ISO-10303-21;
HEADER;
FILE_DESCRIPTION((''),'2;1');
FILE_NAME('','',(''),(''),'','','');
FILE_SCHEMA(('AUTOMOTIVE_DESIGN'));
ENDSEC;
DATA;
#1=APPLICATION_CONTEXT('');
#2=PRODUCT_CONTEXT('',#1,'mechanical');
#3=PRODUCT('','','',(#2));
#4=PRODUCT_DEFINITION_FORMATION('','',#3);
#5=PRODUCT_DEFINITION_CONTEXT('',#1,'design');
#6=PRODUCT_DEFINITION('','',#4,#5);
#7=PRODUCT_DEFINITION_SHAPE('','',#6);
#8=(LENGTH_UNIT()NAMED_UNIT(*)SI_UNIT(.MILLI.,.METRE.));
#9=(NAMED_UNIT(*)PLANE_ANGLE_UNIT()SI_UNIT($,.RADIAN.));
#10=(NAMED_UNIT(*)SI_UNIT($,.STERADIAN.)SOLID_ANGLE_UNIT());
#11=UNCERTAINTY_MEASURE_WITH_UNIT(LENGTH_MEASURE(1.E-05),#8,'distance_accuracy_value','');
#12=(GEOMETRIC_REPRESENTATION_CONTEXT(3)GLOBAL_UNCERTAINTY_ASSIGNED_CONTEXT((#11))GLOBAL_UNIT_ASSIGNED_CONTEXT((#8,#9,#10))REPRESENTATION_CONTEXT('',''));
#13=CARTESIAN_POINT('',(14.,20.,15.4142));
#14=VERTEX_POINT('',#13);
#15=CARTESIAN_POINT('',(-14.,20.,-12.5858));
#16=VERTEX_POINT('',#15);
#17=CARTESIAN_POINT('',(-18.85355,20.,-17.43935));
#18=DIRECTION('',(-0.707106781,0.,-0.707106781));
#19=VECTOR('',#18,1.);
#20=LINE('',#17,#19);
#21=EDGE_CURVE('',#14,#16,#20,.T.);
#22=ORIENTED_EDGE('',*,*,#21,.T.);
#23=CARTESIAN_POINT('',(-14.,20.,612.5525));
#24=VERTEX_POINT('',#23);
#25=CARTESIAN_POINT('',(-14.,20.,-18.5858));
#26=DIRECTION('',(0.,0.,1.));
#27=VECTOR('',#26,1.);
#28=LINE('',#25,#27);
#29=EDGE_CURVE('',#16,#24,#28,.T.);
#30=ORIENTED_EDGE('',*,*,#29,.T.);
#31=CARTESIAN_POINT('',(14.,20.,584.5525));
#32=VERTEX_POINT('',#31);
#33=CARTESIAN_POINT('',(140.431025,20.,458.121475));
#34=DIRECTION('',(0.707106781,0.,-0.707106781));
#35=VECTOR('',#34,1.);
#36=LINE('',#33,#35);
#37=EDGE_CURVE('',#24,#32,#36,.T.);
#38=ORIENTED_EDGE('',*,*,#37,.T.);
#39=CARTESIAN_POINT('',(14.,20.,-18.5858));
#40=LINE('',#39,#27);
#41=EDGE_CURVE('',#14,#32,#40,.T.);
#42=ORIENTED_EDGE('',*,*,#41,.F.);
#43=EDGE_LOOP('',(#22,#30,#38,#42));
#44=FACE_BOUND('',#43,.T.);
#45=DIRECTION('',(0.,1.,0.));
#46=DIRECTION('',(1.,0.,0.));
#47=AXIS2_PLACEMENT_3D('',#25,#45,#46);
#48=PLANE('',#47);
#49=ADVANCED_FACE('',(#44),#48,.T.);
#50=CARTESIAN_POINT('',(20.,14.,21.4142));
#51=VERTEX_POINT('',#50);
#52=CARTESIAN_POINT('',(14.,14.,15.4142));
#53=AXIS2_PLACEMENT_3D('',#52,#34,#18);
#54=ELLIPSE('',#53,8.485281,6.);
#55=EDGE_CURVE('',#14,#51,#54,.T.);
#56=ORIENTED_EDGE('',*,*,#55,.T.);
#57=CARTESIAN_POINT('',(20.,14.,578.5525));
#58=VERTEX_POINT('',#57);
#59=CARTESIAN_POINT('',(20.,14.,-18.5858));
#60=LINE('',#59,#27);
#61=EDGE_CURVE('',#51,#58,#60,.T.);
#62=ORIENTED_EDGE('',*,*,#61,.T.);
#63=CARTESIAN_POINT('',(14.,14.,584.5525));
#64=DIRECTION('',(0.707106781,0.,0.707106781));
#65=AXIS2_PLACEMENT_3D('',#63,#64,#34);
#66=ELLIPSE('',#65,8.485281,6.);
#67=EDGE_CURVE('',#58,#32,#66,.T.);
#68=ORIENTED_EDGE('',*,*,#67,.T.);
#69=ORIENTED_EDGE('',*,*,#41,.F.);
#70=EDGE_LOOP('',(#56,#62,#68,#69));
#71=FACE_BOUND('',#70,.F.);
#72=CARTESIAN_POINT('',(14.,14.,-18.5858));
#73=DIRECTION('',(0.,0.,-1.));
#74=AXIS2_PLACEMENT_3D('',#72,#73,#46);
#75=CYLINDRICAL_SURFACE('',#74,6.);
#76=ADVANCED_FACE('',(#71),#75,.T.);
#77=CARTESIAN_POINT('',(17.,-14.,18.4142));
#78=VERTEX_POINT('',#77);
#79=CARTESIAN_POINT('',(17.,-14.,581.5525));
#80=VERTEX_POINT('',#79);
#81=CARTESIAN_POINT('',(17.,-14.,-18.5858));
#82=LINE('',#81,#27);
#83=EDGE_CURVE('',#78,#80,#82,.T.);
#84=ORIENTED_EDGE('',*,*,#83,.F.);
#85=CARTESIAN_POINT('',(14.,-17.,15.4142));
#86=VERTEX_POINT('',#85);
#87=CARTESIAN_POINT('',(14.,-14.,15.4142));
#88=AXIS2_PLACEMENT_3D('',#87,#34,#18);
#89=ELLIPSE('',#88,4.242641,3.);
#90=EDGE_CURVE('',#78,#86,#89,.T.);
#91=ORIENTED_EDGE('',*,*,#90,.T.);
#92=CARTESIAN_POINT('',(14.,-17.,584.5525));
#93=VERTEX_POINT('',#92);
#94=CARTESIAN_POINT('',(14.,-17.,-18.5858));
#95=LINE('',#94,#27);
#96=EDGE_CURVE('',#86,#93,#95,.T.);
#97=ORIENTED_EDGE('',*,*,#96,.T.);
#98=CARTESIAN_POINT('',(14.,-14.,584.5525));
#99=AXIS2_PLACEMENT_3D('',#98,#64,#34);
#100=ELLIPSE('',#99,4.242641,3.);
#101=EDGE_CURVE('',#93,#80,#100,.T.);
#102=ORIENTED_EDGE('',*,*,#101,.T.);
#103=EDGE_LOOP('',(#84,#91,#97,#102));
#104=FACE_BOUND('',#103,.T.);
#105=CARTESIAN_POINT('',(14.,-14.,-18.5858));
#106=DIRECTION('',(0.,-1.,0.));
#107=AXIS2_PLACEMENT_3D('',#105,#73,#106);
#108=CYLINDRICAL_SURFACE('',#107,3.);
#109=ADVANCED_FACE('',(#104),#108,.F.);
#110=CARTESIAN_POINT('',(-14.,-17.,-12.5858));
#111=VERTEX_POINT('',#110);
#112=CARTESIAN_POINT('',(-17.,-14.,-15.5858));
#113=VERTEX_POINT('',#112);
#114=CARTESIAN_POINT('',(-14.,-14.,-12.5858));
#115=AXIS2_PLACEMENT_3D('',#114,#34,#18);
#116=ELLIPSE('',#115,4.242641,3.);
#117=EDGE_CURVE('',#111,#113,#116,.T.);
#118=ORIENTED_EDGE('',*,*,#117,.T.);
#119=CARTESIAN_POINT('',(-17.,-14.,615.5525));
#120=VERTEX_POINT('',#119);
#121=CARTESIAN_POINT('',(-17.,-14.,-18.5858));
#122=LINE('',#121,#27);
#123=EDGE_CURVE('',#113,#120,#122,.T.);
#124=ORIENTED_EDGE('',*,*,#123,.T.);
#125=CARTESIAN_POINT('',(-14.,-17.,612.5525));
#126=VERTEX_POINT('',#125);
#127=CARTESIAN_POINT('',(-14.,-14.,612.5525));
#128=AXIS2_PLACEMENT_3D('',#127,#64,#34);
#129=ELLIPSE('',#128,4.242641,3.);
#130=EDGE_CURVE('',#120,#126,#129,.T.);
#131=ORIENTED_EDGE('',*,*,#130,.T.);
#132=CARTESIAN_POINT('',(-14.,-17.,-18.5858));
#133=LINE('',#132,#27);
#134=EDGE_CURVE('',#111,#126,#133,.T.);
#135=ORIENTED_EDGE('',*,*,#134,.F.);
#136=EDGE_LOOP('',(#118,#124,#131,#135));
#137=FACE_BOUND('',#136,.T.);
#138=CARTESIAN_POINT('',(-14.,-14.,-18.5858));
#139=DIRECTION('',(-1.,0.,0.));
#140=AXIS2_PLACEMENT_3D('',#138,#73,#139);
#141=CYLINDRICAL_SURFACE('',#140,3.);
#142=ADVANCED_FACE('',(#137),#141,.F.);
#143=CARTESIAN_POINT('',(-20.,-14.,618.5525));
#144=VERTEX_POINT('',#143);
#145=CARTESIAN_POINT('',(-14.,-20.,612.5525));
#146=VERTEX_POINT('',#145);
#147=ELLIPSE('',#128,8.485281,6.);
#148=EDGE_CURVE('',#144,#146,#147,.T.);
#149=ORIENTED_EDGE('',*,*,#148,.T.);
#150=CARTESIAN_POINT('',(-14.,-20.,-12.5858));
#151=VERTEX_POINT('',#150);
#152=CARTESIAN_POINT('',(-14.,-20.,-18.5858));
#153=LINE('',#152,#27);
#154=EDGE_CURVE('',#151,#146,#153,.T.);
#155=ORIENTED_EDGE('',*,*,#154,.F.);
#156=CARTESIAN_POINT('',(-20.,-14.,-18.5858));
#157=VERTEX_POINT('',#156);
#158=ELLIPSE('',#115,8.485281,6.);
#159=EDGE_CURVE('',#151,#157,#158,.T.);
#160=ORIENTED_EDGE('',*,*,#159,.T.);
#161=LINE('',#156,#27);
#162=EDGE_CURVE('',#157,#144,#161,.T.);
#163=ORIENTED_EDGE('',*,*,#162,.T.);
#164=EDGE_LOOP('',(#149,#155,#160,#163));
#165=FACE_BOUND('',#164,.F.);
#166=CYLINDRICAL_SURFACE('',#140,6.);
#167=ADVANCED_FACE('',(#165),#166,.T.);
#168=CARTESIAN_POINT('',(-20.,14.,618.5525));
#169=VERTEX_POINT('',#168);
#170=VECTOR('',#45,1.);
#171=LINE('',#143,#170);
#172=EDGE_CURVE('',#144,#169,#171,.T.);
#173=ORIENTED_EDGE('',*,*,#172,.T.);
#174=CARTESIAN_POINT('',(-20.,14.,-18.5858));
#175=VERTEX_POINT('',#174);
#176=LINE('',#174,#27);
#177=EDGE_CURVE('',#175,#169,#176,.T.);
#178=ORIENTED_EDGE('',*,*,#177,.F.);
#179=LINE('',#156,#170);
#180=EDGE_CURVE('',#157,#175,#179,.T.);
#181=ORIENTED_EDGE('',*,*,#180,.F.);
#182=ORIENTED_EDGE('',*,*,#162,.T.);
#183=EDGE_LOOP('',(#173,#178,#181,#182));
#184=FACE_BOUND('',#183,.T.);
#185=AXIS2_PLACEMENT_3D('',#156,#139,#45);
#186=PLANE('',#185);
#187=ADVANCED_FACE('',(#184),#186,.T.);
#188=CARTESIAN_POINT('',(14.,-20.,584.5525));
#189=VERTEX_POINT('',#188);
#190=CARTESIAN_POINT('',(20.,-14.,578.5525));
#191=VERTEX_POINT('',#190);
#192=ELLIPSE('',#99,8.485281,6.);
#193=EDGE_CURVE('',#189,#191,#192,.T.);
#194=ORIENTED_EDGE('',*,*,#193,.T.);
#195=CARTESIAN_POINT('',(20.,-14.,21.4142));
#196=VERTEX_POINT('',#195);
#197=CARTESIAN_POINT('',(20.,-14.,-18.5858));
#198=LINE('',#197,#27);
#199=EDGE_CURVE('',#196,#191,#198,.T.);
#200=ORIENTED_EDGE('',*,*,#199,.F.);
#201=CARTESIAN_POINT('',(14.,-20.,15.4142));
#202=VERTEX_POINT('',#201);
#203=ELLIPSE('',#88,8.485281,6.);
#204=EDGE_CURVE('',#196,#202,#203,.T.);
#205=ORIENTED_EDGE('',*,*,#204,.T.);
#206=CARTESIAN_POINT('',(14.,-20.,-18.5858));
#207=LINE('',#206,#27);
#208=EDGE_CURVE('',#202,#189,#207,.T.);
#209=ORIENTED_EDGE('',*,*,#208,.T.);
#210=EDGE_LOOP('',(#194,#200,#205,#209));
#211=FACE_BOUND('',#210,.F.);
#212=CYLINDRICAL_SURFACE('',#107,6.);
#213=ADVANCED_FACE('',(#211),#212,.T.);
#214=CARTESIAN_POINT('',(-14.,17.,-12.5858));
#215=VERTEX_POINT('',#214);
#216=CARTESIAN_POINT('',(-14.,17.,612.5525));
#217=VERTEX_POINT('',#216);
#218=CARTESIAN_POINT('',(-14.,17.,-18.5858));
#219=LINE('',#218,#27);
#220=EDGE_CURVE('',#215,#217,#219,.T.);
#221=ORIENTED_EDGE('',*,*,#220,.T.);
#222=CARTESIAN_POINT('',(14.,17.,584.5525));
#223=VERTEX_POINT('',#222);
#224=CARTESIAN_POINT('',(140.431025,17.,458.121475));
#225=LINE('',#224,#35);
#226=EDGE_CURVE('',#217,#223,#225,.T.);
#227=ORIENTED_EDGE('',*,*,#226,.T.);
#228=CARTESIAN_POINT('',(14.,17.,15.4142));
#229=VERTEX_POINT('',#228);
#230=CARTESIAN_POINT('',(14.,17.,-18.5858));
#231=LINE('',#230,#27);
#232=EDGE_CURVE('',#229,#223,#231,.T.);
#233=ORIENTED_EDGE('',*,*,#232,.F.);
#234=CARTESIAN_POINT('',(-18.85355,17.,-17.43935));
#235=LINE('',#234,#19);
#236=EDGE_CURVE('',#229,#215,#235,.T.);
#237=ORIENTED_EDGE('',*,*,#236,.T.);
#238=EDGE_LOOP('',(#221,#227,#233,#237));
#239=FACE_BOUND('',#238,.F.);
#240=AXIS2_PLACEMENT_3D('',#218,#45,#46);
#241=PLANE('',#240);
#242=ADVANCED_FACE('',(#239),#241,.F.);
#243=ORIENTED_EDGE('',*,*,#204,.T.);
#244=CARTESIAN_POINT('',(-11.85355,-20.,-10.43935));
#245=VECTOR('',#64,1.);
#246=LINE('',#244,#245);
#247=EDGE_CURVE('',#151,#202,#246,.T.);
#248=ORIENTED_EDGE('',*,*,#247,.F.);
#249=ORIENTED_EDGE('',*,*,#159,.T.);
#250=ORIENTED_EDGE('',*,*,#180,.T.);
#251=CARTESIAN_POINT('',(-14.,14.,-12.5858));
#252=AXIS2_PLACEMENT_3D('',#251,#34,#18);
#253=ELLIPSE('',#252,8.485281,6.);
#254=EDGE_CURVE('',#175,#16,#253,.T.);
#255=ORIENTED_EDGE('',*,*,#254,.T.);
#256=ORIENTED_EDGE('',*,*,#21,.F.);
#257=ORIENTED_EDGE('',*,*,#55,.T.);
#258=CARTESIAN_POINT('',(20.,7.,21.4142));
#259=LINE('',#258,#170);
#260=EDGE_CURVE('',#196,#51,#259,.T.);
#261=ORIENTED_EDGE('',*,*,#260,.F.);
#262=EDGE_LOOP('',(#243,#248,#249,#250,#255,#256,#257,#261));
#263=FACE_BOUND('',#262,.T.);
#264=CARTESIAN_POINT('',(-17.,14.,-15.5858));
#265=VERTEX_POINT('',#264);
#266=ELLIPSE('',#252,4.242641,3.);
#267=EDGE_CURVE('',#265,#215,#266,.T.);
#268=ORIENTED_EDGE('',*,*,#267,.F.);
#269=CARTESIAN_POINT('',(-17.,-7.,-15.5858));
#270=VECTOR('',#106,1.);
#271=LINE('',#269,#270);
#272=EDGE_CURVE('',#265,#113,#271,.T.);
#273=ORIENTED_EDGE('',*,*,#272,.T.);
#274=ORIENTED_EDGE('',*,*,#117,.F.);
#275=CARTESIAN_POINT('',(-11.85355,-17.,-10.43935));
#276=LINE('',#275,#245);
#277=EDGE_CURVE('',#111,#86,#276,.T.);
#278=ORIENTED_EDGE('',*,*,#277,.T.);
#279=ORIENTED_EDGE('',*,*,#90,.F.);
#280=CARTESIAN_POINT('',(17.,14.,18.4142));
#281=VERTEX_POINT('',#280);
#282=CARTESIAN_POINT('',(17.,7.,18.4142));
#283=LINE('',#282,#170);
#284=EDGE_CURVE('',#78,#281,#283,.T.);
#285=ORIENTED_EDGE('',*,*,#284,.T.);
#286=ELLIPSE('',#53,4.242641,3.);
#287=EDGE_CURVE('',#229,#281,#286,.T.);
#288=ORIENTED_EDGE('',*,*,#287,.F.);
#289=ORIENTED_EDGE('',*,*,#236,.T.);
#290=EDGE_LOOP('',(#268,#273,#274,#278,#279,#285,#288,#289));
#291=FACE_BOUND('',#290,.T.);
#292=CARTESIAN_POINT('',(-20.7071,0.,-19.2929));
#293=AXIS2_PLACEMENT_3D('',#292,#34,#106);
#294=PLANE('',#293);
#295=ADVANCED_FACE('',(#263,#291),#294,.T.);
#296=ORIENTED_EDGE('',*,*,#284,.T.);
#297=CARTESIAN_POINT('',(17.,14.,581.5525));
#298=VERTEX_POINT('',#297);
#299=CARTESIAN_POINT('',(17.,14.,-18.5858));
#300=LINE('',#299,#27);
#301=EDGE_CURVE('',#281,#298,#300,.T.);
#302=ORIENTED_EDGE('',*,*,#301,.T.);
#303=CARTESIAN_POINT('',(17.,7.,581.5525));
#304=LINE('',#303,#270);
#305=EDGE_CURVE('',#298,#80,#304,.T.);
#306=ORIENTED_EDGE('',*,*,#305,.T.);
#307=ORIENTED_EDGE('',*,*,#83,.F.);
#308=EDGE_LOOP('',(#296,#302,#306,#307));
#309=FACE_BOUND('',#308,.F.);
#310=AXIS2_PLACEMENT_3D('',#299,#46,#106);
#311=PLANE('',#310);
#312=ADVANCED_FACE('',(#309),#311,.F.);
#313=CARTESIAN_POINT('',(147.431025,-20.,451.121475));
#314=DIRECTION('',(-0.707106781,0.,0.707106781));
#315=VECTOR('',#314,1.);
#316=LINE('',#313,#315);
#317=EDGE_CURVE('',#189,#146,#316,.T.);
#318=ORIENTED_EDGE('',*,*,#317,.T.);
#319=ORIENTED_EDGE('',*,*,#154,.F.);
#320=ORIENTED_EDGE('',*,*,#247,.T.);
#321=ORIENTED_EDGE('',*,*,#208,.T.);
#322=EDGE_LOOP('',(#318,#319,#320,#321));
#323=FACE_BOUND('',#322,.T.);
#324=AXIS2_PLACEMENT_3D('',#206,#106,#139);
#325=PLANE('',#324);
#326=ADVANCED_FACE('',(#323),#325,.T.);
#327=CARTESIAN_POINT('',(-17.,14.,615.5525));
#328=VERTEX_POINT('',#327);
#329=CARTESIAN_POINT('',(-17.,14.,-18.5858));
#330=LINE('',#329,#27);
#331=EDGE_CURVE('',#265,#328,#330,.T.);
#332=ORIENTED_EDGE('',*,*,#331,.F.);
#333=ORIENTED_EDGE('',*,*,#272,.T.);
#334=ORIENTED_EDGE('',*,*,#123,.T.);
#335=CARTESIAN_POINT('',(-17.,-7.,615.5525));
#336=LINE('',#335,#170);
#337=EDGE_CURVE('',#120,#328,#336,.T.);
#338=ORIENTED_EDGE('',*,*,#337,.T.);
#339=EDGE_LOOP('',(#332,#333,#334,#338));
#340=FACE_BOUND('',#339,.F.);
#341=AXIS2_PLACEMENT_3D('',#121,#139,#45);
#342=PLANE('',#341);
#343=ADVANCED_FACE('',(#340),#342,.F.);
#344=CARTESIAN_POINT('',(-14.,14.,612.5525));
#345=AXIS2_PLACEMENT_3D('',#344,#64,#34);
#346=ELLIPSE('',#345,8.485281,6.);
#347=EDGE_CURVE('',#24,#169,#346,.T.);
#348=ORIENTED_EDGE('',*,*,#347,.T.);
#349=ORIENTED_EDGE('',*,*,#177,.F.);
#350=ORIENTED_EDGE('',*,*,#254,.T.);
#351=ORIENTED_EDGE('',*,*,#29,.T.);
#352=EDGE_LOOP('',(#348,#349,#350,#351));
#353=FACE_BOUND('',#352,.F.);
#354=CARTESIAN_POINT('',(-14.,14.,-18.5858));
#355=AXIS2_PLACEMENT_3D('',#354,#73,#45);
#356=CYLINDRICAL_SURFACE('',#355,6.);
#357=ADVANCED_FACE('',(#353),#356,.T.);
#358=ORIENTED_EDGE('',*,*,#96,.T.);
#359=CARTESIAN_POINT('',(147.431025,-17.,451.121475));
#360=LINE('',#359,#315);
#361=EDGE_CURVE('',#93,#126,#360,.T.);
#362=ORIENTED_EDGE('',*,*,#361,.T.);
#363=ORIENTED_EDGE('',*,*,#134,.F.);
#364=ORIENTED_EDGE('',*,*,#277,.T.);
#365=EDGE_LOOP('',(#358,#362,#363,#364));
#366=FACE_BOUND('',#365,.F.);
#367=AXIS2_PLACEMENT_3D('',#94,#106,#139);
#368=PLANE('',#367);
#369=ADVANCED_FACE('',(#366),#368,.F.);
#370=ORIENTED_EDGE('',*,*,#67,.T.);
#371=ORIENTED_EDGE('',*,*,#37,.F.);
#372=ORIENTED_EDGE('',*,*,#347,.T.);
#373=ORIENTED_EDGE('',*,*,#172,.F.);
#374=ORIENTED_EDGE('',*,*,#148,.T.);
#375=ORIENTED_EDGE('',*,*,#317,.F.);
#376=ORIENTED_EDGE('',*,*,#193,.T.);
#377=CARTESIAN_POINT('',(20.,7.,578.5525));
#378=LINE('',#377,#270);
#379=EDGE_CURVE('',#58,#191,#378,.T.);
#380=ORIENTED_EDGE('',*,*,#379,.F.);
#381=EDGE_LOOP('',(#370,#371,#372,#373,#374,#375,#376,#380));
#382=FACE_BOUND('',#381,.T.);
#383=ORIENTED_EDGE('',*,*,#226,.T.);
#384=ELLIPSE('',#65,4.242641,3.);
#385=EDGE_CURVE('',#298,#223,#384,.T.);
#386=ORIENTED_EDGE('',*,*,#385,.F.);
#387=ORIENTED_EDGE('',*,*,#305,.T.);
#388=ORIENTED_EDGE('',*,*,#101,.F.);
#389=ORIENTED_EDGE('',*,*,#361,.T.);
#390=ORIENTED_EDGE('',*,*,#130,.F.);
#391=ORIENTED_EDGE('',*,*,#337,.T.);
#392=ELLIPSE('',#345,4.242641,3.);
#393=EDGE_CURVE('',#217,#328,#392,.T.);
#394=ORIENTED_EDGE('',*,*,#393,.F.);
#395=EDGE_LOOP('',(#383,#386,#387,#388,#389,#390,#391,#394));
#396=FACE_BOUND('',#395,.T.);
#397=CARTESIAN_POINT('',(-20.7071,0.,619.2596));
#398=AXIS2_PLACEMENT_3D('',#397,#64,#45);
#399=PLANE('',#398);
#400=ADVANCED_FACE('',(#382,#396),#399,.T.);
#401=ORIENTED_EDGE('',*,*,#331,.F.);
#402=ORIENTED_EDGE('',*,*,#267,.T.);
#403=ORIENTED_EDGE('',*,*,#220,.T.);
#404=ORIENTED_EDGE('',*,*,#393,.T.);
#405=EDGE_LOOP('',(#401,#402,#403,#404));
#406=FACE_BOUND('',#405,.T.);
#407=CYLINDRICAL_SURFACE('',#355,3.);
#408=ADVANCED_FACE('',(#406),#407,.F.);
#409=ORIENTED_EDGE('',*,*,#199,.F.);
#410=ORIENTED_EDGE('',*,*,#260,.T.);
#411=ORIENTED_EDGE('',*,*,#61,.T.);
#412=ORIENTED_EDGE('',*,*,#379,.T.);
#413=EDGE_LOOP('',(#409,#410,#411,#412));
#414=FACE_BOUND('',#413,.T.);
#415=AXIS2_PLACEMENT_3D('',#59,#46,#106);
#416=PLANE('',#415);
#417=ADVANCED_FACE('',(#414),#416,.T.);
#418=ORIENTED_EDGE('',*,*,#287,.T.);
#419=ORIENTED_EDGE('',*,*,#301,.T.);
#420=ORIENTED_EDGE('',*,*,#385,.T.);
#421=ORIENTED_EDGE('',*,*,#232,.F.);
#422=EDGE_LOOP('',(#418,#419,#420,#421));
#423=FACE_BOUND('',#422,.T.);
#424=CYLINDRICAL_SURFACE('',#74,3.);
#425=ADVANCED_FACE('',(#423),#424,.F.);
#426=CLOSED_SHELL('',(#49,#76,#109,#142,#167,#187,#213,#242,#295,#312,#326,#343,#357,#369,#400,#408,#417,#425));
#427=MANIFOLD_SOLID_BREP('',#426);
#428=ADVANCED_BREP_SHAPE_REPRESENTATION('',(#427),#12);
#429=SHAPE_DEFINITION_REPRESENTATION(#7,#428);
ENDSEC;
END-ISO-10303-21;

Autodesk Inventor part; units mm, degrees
ref_plane "Start Plane" through (0, 0, -18.5858) normal (0, 0, 1) x (1, 0, 0)
ref_plane "End Plane" through (0, 0, 618.5525) normal (0, 0, 1) x (1, 0, 0)
sketch "Sketch" plane through (0, 0, 0) normal (0, 0, 1) x (1, 0, 0)
  line L0 (-20, -14) -> (-20, 14)
  line L1 (-14, 20) -> (14, 20)
  line L2 (20, 14) -> (20, -14)
  line L3 (14, -20) -> (-14, -20)
  arc A0 (-20, -14) -> (-14, -20) centre (-14, -14) ccw
  arc A1 (20, 14) -> (14, 20) centre (14, 14) ccw
  arc A2 (-14, 20) -> (-20, 14) centre (-14, 14) ccw
  arc A3 (14, -20) -> (20, -14) centre (14, -14) ccw
  arc A4 (-14, 17) -> (-17, 14) centre (-14, 14) ccw
  line L4 (-14, 17) -> (14, 17)
  arc A5 (17, 14) -> (14, 17) centre (14, 14) ccw
  line L5 (17, 14) -> (17, -14)
  arc A6 (14, -17) -> (17, -14) centre (14, -14) ccw
  line L6 (14, -17) -> (-14, -17)
  arc A7 (-17, -14) -> (-14, -17) centre (-14, -14) ccw
  line L7 (-17, -14) -> (-17, 14)
  line L8 (0, 29.7397) -> (0, -29.7397) construction
  line L9 (-29.7397, 0) -> (29.7397, 0) construction
  dimension "d7" = 6
  dimension "d9" = 40
  dimension "d11" = 40
  dimension "d12" = 3
  dimension "d15" = 20
  dimension "d16" = 20
extrude "Body" add sketch "Sketch" along normal up to surface (637.1383 mm away) from surface at -18.5858
sketch "Sketch3" plane through (0, 0, 0) normal (0, 0, 1) x (1, 0, 0)
  line L0 (0, 0) -> (10, 0)
ref_plane "Work Plane3" through (0, 0, 0) normal (0, -1, 0) x (1, 0, 0)
ref_plane "Work Plane4" through (-20.7071, 0, 619.2596) normal (0.7071, 0, 0.7071) x (0.7071, 0, -0.7071)
split "Split1" plane through (-20.7071, 0, 619.2596) removes the side toward (0.7071, 0, 0.7071)
ref_plane "Work Plane5" through (-20.7071, 0, -19.2929) normal (0.7071, 0, -0.7071) x (-0.7071, 0, -0.7071)
split "Split2" plane through (-20.7071, 0, -19.2929) removes the side toward (0.7071, 0, -0.7071)
sketch "Sketch4" plane through (0, 0, 0) normal (0, -1, 0) x (1, 0, 0)
  line L0 (-2, -18.5858) -> (12, -18.5858) projected
  line L1 (-2, 618.5525) -> (12, 618.5525) projected
  dimension "d18" = 637.1383
equation "\"d7\" = G_IR"
equation "\"d9\" = G_W"
equation "\"d11\" = G_H"
equation "\"d12\" = G_T"
equation "\"d15\" = 0.5 * d9"
equation "\"d16\" = 0.5 * d11"
equation "\"d3\" = G_L"
equation "\"G_W\" = 40"
equation "\"G_H\" = 40"
equation "\"G_T\" = 3"
equation "\"G_IR\" = 6"
equation "\"G_L\" = d18"
equation "\"G_OFFSET_START\" = 18.58579"
equation "\"G_OFFSET_END\" = 18.58579"
equation "\"d13\" = -G_OFFSET_START"
equation "\"d14\" = G_OFFSET_END + B_L"
equation "\"B_L\" = 599.96675"
properties part number "ISO 10799-2 - 40x40x3 - 637,14" material "Steel, Mild"
